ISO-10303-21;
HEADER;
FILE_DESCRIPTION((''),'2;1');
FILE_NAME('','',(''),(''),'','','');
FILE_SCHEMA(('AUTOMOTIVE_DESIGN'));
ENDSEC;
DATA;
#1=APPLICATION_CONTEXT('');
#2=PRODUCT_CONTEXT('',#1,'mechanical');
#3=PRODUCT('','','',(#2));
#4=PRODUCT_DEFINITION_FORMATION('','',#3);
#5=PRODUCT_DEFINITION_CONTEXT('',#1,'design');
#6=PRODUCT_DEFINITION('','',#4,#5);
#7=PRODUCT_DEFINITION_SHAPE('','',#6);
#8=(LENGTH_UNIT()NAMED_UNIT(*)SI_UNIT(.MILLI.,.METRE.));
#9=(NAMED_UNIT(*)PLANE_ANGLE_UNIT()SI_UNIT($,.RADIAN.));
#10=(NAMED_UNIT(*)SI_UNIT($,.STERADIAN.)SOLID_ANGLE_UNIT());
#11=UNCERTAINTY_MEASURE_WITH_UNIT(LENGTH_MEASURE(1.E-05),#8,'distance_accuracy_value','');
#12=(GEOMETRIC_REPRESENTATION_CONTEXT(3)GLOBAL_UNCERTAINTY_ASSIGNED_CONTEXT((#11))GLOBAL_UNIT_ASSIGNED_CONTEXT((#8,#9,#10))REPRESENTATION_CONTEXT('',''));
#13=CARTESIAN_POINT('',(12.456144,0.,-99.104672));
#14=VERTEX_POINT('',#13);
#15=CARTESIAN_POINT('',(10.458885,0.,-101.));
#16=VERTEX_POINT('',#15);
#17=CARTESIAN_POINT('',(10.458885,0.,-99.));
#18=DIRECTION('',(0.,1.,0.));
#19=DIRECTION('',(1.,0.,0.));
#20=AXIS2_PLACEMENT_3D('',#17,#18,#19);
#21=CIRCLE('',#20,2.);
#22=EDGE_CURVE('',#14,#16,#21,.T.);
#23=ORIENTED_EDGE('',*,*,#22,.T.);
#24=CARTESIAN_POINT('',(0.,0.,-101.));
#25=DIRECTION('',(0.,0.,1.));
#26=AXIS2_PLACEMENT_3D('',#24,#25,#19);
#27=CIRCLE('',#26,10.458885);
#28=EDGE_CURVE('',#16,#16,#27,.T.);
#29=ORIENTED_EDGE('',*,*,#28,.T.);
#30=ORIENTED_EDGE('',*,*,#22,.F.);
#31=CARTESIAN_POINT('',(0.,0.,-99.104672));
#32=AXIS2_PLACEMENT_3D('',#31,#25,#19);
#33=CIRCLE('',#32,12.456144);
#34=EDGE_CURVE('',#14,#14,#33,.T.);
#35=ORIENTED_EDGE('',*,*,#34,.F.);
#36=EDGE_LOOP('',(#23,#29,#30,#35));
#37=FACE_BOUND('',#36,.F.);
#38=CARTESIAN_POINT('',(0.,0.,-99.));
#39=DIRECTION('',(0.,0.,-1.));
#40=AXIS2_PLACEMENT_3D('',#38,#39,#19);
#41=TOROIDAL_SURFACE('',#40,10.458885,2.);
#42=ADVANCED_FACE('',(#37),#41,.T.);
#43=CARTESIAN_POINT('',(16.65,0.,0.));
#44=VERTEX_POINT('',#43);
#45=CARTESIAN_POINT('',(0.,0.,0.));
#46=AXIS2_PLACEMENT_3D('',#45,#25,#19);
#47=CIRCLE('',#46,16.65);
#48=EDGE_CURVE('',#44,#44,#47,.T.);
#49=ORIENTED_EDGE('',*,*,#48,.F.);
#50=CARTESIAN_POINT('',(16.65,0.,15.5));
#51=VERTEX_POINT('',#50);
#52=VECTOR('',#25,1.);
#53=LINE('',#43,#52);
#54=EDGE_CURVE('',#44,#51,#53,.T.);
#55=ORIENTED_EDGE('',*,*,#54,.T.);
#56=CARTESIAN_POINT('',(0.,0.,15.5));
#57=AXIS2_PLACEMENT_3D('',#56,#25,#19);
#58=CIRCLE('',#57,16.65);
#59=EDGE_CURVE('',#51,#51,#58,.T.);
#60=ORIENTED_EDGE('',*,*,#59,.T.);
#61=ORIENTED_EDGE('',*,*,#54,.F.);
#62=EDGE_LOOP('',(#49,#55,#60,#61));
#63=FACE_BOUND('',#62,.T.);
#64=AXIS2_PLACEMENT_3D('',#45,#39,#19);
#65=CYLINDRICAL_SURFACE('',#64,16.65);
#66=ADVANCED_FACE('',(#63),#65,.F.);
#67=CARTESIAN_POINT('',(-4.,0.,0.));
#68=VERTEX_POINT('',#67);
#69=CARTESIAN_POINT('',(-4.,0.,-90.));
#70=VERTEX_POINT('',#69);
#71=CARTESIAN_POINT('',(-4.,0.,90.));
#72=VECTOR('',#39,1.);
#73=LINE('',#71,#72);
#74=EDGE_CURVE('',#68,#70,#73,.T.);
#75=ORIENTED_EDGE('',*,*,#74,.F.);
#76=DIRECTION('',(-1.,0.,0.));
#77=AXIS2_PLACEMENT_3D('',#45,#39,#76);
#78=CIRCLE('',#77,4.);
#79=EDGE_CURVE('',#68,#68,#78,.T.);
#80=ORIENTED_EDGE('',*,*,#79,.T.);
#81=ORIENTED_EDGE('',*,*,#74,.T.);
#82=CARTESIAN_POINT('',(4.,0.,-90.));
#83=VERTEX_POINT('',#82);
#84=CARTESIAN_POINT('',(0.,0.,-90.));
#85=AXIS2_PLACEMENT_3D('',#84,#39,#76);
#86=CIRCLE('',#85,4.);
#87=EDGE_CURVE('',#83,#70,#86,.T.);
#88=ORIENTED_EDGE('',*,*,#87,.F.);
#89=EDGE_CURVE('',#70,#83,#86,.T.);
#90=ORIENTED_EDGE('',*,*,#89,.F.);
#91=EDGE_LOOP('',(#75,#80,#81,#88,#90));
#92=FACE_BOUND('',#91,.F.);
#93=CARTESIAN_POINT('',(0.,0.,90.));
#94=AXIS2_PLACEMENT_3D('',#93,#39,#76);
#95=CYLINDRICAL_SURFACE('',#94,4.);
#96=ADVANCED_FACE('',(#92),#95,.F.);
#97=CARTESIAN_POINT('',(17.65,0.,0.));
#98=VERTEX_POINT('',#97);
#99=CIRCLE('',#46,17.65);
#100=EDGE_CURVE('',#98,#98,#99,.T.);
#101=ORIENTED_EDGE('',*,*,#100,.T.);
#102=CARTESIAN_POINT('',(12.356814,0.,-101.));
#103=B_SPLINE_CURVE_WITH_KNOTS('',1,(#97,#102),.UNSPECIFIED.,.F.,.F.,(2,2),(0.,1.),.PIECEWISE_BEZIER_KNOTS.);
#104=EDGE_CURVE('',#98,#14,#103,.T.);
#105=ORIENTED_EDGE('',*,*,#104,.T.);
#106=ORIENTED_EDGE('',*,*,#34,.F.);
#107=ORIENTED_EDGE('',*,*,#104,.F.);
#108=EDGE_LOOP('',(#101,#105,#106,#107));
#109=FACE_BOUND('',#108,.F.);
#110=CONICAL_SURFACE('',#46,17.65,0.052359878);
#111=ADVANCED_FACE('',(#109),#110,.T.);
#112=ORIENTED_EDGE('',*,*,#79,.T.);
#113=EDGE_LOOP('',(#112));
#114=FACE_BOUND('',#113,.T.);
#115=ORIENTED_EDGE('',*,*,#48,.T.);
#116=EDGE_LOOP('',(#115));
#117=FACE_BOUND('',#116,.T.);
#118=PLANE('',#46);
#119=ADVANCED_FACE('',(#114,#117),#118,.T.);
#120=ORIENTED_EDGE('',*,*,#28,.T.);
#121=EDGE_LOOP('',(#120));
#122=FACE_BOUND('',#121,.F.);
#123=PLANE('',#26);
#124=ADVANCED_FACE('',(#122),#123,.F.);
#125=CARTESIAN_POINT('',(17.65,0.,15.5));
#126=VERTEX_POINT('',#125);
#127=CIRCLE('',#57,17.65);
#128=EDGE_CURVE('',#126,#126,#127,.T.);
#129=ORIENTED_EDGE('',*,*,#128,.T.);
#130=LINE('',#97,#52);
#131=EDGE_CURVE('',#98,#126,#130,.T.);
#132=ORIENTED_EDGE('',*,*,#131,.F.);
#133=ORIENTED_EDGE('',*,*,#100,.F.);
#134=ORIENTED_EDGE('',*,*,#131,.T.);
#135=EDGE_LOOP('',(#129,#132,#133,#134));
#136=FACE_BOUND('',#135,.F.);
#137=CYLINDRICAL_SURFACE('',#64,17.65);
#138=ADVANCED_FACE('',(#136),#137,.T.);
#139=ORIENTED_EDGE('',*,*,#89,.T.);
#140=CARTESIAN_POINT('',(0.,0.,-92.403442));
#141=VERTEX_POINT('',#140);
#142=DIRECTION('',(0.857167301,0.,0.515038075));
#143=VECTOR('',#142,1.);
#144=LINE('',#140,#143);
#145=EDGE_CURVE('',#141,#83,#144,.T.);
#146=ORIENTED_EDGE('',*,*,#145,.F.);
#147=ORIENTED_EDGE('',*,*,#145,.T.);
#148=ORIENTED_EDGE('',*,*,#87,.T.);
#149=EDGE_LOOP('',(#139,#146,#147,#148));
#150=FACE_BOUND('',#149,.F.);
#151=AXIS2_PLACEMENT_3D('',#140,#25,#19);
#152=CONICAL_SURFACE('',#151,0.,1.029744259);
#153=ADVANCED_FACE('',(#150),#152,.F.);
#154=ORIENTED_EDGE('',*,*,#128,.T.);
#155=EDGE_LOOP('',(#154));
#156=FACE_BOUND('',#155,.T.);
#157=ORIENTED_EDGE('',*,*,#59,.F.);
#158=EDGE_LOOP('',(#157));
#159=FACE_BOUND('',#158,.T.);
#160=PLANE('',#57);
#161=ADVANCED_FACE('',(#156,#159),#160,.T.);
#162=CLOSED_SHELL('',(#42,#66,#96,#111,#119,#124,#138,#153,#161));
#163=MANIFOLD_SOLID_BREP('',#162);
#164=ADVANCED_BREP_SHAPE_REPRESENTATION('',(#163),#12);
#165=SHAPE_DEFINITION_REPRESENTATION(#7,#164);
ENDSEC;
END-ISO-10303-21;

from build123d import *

# Parameters (mm, degrees)
F0_R     = 17.65
F0_R_2   = 16.65
F1_DEPTH = 15.5
F2_DEPTH = 101
F2_TAPER = 3
F3_R     = 2
F4_D     = 8
F4_DEPTH = 90
F4_TIP   = 2.4034424761


with BuildPart() as f1:
    # F0 (on Top) → F1 (new body)
    with BuildSketch(Plane.XY):
        Circle(F0_R)
        Circle(F0_R_2, mode=Mode.SUBTRACT)
    extrude(amount=F1_DEPTH)

    # F0 (on Top) → F2 (join)
    with BuildSketch(Plane.XY):
        Circle(F0_R)
        Circle(F0_R_2, mode=Mode.SUBTRACT)
        Circle(F0_R_2)
    extrude(amount=-F2_DEPTH, taper=F2_TAPER)

    # F3
    f3_edges = [f1.edges().sort_by_distance(p)[0] for p in [
        (-12.356814, 0, -101),
    ]]
    fillet(f3_edges, radius=F3_R)

    # F4
    with Locations(Plane.XY):
        with Locations((0, 0)):
            Hole(F4_D / 2, depth=F4_DEPTH)
            with Locations((0, 0, -(F4_DEPTH + F4_TIP / 2))):  # 118° drill point
                Cone(0, F4_D / 2, F4_TIP, mode=Mode.SUBTRACT)


solid = f1.part
